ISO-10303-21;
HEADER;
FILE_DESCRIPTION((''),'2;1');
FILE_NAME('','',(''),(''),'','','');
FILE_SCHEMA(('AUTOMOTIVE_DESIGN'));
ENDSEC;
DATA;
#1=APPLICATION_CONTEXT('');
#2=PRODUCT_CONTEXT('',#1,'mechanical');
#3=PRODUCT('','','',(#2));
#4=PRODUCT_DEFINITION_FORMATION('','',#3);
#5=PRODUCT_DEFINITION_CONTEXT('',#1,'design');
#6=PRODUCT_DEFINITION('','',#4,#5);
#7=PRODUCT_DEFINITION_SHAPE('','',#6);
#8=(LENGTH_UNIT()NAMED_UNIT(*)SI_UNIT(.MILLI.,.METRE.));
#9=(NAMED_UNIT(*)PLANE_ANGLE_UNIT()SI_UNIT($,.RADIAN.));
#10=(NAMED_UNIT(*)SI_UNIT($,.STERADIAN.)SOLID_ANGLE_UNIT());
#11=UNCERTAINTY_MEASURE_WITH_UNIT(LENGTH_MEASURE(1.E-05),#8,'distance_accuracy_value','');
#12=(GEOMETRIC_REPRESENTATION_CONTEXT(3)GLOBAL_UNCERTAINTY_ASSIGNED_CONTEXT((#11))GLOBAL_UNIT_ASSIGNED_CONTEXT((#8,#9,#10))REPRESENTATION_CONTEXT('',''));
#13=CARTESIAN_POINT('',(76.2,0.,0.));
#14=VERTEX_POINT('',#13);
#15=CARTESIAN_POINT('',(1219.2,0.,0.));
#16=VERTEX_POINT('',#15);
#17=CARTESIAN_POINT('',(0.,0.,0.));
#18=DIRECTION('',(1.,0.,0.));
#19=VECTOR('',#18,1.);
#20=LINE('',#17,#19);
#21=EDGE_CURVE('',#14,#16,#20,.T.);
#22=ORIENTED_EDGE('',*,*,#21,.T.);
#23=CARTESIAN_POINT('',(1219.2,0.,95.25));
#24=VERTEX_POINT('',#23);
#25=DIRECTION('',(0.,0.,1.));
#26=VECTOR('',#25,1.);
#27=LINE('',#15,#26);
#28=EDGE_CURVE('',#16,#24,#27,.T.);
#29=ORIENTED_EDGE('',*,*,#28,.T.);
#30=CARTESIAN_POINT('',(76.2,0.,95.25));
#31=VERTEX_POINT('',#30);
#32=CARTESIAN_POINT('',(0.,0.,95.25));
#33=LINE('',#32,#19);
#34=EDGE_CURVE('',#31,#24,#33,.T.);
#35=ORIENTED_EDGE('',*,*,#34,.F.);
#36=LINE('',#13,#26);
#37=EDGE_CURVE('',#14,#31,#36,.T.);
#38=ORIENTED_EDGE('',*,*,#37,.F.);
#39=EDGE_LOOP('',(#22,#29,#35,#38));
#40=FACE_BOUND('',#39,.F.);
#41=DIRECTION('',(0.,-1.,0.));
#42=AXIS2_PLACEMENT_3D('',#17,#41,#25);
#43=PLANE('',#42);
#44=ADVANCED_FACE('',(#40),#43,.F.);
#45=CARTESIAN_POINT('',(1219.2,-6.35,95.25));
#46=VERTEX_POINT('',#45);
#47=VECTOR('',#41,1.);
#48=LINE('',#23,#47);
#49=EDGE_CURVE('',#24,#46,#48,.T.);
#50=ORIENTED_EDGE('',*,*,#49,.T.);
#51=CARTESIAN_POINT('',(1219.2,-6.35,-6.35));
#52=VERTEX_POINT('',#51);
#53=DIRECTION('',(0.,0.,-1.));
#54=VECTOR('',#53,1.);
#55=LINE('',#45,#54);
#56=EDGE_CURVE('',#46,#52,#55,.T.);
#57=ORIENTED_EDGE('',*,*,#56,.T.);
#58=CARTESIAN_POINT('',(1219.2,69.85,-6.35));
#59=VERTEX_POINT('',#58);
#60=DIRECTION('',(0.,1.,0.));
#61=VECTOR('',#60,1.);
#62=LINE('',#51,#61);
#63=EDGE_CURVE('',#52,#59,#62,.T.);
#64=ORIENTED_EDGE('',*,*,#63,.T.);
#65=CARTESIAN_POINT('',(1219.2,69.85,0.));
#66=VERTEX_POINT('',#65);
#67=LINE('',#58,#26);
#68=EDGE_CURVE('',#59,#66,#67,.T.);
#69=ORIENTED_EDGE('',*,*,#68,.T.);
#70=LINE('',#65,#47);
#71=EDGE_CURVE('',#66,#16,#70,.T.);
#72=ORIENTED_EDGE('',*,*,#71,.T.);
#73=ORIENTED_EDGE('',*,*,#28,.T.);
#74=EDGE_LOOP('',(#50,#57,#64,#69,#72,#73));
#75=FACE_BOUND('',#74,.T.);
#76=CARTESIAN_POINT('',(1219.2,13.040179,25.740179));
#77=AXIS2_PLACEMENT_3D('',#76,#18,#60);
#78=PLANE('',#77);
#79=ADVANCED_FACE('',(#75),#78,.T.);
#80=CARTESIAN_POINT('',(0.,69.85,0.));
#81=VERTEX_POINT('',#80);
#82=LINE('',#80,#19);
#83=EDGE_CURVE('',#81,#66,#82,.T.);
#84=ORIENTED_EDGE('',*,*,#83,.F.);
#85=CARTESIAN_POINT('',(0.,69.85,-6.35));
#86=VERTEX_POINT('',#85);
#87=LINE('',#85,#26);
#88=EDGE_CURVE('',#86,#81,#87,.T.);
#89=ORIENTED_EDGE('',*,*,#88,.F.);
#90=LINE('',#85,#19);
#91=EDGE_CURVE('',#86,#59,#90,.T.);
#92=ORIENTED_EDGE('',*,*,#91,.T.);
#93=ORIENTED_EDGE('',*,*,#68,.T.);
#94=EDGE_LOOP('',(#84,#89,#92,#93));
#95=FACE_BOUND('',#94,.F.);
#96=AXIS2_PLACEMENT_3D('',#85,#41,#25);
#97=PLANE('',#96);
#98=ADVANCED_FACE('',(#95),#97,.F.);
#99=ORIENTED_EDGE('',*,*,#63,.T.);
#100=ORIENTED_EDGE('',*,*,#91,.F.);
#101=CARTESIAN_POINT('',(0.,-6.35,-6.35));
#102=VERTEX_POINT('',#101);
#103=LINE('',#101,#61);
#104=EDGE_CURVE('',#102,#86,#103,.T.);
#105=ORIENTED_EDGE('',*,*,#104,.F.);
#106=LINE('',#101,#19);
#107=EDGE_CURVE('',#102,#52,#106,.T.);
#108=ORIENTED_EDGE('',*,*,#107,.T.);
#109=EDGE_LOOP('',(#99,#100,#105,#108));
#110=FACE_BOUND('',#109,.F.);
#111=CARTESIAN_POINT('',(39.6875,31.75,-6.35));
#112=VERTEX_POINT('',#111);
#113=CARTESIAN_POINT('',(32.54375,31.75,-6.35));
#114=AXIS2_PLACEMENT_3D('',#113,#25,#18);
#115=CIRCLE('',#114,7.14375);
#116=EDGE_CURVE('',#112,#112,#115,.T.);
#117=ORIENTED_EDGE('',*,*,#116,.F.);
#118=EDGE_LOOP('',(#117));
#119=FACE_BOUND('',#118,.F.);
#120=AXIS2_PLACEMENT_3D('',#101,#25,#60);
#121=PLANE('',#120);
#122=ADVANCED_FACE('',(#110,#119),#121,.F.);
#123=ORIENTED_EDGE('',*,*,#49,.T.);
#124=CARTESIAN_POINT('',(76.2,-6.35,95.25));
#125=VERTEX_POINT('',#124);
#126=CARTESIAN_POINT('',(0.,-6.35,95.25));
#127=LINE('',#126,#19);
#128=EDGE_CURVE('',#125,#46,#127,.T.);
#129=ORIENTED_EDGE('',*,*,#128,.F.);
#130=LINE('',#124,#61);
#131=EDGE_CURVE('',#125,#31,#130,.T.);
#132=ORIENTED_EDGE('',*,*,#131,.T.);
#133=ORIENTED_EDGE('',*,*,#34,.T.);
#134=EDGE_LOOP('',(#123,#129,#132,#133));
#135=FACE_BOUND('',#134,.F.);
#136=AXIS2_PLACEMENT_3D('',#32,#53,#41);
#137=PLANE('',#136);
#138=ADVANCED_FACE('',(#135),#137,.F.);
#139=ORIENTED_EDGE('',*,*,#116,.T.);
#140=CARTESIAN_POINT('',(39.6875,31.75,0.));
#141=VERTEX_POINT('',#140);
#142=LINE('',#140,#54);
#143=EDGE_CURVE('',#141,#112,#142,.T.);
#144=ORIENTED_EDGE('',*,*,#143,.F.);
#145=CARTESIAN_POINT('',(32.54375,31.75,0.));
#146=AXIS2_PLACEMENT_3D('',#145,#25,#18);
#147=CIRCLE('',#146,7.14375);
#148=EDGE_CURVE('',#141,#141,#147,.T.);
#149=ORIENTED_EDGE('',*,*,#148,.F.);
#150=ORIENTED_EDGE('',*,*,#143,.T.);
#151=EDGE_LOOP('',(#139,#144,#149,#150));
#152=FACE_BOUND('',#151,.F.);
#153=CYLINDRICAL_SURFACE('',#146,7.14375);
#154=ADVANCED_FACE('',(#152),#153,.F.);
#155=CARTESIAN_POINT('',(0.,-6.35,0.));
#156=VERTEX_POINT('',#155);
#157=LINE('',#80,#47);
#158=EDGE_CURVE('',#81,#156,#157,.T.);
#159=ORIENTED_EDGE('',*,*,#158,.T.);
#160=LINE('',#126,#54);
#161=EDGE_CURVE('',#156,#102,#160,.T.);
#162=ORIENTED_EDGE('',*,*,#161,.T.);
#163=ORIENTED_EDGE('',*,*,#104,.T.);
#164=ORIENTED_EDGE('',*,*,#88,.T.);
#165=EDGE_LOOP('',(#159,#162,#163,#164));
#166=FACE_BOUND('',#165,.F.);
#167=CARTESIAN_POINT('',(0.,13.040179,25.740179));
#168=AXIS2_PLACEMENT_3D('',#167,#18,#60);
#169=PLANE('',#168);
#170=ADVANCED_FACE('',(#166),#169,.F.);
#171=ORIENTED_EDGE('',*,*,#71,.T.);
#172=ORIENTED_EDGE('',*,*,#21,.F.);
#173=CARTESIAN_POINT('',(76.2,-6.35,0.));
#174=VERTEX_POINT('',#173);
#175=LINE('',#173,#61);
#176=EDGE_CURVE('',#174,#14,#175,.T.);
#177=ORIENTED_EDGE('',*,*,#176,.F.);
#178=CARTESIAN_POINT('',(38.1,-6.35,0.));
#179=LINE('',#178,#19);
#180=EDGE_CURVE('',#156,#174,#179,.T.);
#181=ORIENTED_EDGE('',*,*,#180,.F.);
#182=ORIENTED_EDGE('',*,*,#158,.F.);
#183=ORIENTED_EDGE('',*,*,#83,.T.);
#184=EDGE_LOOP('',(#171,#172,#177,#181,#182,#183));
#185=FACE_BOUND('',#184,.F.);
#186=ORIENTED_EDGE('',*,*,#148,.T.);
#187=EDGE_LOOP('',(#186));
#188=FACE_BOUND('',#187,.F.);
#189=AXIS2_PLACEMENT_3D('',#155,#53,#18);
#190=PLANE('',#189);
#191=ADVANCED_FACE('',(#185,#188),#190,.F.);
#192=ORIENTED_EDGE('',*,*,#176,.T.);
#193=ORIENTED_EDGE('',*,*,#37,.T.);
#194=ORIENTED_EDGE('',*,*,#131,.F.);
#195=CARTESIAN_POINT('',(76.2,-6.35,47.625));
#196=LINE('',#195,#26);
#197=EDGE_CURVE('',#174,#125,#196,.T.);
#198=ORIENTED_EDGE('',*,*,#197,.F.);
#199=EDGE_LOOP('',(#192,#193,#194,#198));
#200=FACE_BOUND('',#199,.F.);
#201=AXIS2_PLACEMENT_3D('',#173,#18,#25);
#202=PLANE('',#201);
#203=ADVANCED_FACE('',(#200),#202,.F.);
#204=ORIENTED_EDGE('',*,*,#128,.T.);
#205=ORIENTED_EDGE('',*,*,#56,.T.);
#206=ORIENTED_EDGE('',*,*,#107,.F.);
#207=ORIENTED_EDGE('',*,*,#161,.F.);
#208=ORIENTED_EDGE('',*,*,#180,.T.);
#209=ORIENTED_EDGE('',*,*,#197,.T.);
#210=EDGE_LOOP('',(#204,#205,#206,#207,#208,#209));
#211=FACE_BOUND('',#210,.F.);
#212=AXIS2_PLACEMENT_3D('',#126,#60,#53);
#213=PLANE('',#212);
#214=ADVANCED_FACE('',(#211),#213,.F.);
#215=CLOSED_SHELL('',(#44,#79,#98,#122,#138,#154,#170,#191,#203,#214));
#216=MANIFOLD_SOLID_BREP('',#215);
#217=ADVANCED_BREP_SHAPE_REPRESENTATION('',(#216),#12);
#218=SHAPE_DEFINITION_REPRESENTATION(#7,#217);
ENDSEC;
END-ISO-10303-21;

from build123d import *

# Parameters (mm, degrees)
F1_DEPTH = 1219.2
F2_W     = 76.2
F2_H     = 95.25
F3_DEPTH = 25.4
F4_R     = 7.14375
F5_DEPTH = 25.4


with BuildPart() as f1:
    # F0 (on Right) → F1 (new body)
    with BuildSketch(Plane.YZ):
        Polygon((0, 95.25), (-6.35, 95.25), (-6.35, -6.35), (69.85, -6.35), (69.85, 0), (0, 0), align=None)
    extrude(amount=F1_DEPTH)

    # F2 (on face) → F3 (cut)
    with BuildSketch(Plane.XZ.offset(6.35)):
        with Locations((38.1, 47.625)):
            Rectangle(F2_W, F2_H)
    extrude(amount=-F3_DEPTH, mode=Mode.SUBTRACT)

    # F4 (on face) → F5 (cut)
    with BuildSketch(Plane.XY):
        with Locations((32.54375, 31.75)):
            Circle(F4_R)
    extrude(amount=-F5_DEPTH, mode=Mode.SUBTRACT)


solid = f1.part
